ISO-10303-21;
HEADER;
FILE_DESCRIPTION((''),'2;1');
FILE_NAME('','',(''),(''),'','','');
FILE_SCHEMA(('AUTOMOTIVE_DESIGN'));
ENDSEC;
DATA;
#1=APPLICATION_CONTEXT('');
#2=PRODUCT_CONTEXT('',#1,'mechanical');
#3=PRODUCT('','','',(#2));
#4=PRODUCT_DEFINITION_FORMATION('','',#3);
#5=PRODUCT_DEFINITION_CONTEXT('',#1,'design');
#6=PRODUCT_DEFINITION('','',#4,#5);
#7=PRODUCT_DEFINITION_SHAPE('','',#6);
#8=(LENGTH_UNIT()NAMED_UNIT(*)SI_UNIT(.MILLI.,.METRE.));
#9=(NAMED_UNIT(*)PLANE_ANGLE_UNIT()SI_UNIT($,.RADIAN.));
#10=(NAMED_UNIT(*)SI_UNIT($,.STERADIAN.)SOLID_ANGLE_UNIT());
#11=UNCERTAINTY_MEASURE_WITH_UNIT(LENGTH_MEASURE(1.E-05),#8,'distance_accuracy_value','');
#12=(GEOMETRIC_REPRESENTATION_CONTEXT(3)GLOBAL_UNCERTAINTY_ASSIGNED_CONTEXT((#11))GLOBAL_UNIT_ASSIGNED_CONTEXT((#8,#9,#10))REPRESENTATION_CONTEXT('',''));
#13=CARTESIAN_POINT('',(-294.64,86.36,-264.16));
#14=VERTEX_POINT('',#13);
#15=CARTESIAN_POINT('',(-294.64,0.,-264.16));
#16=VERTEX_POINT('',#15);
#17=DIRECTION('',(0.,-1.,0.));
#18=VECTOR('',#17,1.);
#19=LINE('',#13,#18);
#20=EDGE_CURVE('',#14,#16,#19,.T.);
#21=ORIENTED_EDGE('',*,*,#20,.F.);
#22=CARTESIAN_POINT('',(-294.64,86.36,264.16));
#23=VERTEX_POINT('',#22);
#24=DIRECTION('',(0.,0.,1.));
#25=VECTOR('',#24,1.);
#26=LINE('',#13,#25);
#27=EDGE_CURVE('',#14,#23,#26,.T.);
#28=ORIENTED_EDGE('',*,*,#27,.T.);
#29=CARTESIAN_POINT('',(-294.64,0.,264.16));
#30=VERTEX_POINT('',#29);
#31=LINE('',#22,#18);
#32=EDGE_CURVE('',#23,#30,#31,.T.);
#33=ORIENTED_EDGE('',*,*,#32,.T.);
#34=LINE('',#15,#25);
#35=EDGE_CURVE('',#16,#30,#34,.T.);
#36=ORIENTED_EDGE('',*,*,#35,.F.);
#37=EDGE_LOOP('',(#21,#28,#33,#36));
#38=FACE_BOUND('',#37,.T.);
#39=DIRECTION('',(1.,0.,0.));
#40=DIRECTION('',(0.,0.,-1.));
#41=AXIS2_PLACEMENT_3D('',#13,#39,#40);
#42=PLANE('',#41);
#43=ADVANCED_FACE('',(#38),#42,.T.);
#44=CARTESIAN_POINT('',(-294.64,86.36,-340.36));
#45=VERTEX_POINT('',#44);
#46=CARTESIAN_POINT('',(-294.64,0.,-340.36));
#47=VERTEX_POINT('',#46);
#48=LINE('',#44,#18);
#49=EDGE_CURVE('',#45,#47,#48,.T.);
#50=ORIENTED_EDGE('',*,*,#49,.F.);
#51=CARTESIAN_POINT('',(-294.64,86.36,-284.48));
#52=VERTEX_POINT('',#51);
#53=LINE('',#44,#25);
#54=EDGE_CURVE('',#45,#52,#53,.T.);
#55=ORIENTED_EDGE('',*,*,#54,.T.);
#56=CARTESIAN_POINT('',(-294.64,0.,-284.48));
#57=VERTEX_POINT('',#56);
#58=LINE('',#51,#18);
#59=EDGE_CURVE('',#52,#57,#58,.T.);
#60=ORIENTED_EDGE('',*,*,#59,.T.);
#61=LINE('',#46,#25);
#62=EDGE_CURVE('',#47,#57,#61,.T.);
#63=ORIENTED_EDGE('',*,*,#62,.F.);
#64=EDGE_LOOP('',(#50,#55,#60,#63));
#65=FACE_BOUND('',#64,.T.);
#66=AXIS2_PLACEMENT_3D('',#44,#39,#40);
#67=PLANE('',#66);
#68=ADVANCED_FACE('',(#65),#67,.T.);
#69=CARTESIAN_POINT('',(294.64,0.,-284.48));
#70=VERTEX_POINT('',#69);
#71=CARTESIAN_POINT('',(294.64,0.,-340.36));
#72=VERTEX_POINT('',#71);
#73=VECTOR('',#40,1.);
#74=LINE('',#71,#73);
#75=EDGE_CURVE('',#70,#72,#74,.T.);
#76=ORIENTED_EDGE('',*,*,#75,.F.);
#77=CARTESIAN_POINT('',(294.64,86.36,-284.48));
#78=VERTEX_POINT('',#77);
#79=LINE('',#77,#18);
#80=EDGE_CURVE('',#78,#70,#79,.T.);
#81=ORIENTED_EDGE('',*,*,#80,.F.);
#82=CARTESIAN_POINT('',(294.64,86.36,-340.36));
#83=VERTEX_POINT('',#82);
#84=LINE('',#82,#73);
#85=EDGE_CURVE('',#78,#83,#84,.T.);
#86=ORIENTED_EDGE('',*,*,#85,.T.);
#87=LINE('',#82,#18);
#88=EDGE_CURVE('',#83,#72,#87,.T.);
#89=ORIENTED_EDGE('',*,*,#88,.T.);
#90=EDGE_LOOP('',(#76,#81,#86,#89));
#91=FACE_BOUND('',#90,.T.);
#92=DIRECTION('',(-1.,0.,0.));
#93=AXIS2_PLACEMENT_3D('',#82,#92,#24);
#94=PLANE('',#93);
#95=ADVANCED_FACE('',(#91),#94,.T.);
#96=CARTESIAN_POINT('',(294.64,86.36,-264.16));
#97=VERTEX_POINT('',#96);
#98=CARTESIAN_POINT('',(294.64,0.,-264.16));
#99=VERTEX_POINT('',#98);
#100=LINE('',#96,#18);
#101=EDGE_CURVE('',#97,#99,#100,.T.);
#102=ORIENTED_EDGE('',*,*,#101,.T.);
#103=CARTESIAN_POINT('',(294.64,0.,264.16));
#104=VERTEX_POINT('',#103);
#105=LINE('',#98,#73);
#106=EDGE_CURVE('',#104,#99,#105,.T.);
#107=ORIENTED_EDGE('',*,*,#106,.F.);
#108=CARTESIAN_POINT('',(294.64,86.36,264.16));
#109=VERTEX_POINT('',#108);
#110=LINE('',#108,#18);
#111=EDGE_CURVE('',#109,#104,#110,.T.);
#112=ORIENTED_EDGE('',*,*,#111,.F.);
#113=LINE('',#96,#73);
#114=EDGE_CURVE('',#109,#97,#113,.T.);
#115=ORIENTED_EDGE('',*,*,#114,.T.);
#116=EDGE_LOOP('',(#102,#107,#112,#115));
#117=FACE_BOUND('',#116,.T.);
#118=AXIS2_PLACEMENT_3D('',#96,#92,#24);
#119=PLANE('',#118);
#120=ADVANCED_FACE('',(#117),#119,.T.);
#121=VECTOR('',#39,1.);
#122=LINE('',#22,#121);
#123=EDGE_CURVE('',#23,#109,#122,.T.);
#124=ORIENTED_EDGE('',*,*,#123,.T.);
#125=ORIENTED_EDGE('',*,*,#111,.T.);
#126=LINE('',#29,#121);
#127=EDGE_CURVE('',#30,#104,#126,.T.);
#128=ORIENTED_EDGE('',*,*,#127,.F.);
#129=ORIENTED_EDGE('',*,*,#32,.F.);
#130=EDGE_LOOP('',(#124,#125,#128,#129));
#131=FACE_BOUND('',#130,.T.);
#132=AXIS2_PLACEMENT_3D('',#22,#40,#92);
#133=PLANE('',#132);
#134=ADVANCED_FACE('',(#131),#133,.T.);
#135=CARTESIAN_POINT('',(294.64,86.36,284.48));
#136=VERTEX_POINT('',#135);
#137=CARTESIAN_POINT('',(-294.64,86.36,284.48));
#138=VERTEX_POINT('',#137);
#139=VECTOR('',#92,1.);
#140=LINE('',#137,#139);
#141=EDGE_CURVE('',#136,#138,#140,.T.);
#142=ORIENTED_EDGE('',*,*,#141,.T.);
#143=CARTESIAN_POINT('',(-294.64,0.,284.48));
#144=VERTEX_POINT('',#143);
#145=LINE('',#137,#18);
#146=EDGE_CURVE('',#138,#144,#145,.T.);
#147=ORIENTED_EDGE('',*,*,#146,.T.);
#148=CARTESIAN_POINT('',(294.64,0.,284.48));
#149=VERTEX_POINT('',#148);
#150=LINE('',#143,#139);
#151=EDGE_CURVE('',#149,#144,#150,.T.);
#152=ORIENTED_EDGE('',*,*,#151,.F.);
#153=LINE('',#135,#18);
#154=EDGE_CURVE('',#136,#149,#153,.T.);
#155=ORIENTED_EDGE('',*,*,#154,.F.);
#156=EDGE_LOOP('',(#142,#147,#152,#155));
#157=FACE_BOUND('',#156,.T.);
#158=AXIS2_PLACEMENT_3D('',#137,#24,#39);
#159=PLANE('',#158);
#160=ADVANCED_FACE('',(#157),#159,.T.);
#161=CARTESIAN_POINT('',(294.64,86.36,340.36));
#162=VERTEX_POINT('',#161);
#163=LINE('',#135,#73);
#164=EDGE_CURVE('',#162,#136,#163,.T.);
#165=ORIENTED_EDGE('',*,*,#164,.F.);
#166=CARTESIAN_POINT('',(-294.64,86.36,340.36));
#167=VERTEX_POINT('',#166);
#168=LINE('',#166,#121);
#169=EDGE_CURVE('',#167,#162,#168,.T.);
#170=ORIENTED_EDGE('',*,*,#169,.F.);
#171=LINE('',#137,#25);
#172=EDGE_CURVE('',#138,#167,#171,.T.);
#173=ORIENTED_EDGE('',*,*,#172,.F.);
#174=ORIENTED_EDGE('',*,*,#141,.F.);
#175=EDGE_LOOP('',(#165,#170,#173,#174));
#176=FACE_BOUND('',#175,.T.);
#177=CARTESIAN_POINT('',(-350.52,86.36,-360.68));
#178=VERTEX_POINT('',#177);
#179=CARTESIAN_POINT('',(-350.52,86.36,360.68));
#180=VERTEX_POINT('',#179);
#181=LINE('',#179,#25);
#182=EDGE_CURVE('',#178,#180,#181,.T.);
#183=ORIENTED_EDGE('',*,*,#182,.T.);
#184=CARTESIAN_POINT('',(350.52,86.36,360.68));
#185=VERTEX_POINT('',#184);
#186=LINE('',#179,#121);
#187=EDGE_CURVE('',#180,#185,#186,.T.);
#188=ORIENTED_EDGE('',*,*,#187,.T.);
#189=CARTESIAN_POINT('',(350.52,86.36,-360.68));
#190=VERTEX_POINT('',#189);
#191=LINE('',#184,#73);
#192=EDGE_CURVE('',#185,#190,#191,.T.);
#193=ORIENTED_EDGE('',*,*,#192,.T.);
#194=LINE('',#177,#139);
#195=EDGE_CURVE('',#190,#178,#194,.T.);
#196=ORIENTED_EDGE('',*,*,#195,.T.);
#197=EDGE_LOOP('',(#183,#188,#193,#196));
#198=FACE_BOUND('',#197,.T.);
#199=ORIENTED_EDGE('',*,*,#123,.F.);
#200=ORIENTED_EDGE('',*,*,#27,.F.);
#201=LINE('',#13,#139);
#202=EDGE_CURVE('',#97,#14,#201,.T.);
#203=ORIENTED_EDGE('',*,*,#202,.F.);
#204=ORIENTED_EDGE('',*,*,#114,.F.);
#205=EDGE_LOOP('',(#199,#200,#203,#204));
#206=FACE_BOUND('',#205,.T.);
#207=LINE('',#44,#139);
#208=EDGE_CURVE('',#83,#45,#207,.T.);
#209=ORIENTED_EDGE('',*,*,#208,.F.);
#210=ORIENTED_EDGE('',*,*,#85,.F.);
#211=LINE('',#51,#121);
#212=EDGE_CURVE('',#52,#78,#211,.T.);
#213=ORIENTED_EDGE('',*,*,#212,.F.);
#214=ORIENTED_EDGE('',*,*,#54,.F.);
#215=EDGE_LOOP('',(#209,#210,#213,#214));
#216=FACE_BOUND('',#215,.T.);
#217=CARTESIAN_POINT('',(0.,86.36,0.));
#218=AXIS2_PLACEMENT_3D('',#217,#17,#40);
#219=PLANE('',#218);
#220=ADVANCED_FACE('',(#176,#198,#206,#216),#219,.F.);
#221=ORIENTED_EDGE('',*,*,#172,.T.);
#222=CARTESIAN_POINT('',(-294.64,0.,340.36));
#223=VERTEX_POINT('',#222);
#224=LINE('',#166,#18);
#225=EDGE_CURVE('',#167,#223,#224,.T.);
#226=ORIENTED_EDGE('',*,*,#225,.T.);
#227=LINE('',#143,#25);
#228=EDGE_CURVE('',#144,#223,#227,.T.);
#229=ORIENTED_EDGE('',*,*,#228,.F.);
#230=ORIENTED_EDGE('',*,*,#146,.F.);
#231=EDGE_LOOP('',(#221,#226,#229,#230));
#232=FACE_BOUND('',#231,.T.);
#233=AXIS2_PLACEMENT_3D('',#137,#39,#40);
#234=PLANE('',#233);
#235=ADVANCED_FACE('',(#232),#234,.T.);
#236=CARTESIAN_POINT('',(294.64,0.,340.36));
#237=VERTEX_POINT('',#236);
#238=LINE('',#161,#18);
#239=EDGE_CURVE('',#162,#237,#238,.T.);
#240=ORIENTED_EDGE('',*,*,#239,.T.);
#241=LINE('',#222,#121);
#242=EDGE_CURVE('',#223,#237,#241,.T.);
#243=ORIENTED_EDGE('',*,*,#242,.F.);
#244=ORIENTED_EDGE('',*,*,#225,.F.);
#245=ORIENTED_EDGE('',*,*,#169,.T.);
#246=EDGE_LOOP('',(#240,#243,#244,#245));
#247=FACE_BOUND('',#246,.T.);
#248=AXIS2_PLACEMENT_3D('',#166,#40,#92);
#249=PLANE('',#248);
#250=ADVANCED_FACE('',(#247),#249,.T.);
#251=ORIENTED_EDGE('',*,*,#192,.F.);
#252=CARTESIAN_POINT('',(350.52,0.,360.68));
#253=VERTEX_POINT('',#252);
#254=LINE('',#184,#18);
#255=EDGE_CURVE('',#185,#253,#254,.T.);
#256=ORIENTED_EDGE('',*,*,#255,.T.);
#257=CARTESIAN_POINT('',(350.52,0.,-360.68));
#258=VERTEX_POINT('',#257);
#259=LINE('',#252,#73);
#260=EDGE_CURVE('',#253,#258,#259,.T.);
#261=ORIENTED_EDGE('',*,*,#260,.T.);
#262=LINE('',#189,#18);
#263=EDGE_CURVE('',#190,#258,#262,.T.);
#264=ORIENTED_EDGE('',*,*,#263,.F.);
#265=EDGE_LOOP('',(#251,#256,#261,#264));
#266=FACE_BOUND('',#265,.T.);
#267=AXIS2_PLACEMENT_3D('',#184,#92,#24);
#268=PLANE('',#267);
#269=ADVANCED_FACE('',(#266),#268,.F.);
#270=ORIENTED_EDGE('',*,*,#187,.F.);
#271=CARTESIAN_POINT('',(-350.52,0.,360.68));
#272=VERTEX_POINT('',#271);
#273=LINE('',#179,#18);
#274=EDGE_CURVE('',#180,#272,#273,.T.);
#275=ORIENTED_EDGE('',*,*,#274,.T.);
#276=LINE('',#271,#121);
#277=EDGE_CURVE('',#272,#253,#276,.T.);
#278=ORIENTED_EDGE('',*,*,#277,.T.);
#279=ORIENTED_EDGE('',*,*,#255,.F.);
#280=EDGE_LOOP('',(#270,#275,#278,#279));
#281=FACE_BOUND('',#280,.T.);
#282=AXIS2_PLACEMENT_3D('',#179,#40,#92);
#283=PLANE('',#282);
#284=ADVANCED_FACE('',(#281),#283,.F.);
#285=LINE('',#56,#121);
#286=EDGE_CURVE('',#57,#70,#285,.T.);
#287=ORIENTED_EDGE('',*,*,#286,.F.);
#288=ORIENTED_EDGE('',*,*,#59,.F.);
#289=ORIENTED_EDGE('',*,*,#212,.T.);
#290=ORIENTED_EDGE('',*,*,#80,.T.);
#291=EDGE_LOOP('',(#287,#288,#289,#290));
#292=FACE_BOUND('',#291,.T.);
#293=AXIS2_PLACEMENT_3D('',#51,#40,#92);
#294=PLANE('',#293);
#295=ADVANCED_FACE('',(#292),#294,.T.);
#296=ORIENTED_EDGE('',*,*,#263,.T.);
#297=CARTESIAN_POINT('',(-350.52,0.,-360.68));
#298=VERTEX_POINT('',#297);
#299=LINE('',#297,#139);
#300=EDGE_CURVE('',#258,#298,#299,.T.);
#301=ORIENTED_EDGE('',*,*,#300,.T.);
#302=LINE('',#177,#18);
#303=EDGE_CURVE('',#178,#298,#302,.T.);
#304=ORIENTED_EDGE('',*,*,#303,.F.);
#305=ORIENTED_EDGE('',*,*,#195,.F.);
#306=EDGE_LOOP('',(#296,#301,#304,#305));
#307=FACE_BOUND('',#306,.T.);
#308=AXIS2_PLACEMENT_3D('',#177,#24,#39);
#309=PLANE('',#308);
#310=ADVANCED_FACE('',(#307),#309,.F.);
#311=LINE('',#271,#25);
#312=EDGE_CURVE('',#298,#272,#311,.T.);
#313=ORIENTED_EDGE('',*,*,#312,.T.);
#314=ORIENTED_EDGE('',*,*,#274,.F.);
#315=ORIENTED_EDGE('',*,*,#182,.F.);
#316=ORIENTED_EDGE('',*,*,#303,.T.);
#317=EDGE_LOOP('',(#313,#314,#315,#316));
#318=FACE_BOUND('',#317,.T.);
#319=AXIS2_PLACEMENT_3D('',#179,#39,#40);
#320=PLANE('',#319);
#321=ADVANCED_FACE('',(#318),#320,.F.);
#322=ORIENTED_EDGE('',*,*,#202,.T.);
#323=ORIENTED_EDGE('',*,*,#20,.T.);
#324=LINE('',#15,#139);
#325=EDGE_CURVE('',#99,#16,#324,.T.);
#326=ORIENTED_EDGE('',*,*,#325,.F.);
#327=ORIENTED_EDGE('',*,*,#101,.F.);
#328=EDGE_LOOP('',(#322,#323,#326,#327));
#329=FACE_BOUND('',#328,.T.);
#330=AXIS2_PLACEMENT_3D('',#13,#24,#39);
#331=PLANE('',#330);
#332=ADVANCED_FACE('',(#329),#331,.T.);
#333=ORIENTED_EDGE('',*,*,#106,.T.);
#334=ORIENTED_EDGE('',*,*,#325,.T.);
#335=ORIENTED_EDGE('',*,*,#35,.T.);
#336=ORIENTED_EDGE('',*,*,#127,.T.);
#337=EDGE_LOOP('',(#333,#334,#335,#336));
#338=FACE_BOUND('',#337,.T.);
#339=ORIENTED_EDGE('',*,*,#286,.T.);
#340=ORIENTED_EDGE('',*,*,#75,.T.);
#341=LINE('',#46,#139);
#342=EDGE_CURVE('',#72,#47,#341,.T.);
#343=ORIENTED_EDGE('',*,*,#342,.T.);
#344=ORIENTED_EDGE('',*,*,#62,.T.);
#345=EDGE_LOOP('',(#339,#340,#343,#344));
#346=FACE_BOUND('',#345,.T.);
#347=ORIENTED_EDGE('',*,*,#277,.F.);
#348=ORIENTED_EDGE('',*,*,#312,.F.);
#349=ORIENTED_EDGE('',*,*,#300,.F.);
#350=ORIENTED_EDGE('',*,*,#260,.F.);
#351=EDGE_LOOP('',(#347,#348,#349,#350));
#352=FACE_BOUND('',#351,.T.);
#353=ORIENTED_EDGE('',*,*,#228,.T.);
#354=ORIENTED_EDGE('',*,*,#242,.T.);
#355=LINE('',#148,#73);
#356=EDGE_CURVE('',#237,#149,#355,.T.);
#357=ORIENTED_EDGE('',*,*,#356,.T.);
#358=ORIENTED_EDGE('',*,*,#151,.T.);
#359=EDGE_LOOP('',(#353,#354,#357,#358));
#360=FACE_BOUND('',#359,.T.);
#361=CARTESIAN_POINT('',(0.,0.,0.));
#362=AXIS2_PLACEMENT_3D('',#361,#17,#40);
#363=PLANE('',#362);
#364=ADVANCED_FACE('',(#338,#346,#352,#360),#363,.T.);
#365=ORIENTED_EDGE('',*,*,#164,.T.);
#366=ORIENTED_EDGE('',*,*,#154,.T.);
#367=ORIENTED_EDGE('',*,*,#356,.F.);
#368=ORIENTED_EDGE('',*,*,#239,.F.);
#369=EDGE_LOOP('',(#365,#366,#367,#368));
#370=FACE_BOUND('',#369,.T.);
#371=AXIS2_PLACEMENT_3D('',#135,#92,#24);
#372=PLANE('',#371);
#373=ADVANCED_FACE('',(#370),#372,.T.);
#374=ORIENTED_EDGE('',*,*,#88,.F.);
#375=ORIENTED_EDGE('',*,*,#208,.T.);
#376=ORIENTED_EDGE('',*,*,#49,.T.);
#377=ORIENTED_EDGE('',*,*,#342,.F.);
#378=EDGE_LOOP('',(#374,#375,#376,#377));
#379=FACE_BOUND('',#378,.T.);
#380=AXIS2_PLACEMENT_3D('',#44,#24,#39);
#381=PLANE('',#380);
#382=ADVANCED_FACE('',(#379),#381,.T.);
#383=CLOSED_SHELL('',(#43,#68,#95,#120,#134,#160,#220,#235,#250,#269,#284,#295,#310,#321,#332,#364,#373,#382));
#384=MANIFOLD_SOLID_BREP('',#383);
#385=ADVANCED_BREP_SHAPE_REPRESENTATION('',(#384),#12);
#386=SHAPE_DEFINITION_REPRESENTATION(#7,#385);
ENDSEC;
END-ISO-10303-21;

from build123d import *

# Parameters (mm, degrees)
SKETCH1_W           = 701.04
SKETCH1_H           = 721.36
SKETCH1_W_2         = 589.28
SKETCH1_H_2         = 55.88
SKETCH1_H_3         = 528.32
BOSS_EXTRUDE1_DEPTH = 86.36


with BuildPart() as part:
    # Sketch1 → Boss-Extrude1 (new body)
    with BuildSketch(Plane(origin=(0, 0, 0), x_dir=(1, 0, 0), z_dir=(0, 1, 0))):
        Rectangle(SKETCH1_W, SKETCH1_H)
        with Locations((0, 312.42)):
            Rectangle(SKETCH1_W_2, SKETCH1_H_2, mode=Mode.SUBTRACT)
        Rectangle(SKETCH1_W_2, SKETCH1_H_3, mode=Mode.SUBTRACT)
        with Locations((0, -312.42)):
            Rectangle(SKETCH1_W_2, SKETCH1_H_2, mode=Mode.SUBTRACT)
    extrude(amount=BOSS_EXTRUDE1_DEPTH)


solid = part.part
